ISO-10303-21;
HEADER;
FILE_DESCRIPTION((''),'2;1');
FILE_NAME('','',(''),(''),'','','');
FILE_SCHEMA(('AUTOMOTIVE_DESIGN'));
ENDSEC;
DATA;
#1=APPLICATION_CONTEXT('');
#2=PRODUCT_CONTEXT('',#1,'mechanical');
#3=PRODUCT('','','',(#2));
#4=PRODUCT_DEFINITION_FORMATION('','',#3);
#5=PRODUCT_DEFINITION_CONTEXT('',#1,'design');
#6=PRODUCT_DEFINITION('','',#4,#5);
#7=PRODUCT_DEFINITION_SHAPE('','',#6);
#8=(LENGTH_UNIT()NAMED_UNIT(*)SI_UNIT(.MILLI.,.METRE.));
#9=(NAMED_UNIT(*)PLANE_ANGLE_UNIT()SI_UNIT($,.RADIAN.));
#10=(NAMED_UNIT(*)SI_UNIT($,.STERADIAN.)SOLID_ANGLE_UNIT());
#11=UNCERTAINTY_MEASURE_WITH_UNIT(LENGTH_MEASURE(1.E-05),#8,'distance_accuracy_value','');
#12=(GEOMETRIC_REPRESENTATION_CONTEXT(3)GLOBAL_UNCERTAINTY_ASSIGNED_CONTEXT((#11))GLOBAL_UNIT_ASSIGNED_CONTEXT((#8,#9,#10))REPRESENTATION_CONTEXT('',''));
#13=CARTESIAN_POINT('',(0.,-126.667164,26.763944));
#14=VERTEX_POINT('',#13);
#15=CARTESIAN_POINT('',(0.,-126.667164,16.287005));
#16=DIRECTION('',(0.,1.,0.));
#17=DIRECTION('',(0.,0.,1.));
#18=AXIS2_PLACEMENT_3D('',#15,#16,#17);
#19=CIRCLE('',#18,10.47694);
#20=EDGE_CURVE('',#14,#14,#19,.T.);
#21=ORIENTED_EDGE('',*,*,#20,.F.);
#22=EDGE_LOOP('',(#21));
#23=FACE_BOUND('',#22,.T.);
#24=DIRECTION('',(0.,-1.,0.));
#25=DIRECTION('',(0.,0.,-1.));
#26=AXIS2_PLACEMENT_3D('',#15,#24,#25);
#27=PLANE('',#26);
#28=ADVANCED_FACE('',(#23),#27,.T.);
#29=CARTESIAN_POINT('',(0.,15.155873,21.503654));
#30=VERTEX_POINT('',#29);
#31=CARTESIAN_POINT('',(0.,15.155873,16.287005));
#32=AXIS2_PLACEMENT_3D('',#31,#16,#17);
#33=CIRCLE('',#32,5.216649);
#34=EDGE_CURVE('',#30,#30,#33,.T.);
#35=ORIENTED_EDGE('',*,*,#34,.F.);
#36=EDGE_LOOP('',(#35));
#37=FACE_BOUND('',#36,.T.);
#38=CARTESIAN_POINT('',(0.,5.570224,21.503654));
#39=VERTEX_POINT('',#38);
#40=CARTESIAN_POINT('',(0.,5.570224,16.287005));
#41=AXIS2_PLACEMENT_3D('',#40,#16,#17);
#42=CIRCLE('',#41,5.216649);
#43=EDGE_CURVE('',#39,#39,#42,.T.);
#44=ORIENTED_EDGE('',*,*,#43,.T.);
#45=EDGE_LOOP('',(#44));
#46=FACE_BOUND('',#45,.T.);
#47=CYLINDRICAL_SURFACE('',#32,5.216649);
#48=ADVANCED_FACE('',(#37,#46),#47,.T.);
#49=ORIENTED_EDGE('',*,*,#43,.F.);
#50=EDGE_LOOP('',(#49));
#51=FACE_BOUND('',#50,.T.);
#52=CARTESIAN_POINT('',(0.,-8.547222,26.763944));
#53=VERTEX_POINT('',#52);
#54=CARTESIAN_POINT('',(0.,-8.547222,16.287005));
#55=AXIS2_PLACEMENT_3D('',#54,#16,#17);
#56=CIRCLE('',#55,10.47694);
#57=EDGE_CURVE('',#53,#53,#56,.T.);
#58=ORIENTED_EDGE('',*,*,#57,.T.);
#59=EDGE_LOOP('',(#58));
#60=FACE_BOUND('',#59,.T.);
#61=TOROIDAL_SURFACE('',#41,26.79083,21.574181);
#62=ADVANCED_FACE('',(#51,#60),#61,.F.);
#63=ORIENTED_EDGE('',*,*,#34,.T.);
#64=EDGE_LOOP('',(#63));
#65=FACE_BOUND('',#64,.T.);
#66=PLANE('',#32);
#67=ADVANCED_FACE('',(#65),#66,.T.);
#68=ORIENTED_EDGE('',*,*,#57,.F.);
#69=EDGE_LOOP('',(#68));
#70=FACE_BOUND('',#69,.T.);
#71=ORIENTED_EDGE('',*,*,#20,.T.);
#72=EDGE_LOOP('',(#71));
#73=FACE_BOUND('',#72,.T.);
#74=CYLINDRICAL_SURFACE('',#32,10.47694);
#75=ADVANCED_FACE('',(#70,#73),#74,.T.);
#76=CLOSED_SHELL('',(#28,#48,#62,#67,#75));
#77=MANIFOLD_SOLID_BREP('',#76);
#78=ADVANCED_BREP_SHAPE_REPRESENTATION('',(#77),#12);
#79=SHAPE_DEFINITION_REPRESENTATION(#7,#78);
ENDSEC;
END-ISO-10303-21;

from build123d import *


with BuildPart() as part:
    # Sketch1 → Revolve3 (revolve)
    with BuildSketch(Plane(origin=(0, 0, 0), x_dir=(0, 0, -1), z_dir=(1, 0, 0))):
        with BuildLine():
            Line((-16.287004569, 15.155873034), (-16.287004569, -126.667164195))
            Line((-16.287004569, -126.667164195), (-26.763944238, -126.667164195))
            Line((-26.763944238, -126.667164195), (-26.763944238, -8.54722199))
            ThreePointArc((-26.763944238, -8.54722199), (-22.861453726, -1.96258681), (-21.503653567, 5.570223514))
            Line((-21.503653567, 5.570223514), (-21.503653567, 15.155873034))
            Line((-21.503653567, 15.155873034), (-16.287004569, 15.155873034))
        make_face()
    revolve(axis=Axis((0, 15.155873034, 16.287004569), (0, -1, 0)))


solid = part.part
